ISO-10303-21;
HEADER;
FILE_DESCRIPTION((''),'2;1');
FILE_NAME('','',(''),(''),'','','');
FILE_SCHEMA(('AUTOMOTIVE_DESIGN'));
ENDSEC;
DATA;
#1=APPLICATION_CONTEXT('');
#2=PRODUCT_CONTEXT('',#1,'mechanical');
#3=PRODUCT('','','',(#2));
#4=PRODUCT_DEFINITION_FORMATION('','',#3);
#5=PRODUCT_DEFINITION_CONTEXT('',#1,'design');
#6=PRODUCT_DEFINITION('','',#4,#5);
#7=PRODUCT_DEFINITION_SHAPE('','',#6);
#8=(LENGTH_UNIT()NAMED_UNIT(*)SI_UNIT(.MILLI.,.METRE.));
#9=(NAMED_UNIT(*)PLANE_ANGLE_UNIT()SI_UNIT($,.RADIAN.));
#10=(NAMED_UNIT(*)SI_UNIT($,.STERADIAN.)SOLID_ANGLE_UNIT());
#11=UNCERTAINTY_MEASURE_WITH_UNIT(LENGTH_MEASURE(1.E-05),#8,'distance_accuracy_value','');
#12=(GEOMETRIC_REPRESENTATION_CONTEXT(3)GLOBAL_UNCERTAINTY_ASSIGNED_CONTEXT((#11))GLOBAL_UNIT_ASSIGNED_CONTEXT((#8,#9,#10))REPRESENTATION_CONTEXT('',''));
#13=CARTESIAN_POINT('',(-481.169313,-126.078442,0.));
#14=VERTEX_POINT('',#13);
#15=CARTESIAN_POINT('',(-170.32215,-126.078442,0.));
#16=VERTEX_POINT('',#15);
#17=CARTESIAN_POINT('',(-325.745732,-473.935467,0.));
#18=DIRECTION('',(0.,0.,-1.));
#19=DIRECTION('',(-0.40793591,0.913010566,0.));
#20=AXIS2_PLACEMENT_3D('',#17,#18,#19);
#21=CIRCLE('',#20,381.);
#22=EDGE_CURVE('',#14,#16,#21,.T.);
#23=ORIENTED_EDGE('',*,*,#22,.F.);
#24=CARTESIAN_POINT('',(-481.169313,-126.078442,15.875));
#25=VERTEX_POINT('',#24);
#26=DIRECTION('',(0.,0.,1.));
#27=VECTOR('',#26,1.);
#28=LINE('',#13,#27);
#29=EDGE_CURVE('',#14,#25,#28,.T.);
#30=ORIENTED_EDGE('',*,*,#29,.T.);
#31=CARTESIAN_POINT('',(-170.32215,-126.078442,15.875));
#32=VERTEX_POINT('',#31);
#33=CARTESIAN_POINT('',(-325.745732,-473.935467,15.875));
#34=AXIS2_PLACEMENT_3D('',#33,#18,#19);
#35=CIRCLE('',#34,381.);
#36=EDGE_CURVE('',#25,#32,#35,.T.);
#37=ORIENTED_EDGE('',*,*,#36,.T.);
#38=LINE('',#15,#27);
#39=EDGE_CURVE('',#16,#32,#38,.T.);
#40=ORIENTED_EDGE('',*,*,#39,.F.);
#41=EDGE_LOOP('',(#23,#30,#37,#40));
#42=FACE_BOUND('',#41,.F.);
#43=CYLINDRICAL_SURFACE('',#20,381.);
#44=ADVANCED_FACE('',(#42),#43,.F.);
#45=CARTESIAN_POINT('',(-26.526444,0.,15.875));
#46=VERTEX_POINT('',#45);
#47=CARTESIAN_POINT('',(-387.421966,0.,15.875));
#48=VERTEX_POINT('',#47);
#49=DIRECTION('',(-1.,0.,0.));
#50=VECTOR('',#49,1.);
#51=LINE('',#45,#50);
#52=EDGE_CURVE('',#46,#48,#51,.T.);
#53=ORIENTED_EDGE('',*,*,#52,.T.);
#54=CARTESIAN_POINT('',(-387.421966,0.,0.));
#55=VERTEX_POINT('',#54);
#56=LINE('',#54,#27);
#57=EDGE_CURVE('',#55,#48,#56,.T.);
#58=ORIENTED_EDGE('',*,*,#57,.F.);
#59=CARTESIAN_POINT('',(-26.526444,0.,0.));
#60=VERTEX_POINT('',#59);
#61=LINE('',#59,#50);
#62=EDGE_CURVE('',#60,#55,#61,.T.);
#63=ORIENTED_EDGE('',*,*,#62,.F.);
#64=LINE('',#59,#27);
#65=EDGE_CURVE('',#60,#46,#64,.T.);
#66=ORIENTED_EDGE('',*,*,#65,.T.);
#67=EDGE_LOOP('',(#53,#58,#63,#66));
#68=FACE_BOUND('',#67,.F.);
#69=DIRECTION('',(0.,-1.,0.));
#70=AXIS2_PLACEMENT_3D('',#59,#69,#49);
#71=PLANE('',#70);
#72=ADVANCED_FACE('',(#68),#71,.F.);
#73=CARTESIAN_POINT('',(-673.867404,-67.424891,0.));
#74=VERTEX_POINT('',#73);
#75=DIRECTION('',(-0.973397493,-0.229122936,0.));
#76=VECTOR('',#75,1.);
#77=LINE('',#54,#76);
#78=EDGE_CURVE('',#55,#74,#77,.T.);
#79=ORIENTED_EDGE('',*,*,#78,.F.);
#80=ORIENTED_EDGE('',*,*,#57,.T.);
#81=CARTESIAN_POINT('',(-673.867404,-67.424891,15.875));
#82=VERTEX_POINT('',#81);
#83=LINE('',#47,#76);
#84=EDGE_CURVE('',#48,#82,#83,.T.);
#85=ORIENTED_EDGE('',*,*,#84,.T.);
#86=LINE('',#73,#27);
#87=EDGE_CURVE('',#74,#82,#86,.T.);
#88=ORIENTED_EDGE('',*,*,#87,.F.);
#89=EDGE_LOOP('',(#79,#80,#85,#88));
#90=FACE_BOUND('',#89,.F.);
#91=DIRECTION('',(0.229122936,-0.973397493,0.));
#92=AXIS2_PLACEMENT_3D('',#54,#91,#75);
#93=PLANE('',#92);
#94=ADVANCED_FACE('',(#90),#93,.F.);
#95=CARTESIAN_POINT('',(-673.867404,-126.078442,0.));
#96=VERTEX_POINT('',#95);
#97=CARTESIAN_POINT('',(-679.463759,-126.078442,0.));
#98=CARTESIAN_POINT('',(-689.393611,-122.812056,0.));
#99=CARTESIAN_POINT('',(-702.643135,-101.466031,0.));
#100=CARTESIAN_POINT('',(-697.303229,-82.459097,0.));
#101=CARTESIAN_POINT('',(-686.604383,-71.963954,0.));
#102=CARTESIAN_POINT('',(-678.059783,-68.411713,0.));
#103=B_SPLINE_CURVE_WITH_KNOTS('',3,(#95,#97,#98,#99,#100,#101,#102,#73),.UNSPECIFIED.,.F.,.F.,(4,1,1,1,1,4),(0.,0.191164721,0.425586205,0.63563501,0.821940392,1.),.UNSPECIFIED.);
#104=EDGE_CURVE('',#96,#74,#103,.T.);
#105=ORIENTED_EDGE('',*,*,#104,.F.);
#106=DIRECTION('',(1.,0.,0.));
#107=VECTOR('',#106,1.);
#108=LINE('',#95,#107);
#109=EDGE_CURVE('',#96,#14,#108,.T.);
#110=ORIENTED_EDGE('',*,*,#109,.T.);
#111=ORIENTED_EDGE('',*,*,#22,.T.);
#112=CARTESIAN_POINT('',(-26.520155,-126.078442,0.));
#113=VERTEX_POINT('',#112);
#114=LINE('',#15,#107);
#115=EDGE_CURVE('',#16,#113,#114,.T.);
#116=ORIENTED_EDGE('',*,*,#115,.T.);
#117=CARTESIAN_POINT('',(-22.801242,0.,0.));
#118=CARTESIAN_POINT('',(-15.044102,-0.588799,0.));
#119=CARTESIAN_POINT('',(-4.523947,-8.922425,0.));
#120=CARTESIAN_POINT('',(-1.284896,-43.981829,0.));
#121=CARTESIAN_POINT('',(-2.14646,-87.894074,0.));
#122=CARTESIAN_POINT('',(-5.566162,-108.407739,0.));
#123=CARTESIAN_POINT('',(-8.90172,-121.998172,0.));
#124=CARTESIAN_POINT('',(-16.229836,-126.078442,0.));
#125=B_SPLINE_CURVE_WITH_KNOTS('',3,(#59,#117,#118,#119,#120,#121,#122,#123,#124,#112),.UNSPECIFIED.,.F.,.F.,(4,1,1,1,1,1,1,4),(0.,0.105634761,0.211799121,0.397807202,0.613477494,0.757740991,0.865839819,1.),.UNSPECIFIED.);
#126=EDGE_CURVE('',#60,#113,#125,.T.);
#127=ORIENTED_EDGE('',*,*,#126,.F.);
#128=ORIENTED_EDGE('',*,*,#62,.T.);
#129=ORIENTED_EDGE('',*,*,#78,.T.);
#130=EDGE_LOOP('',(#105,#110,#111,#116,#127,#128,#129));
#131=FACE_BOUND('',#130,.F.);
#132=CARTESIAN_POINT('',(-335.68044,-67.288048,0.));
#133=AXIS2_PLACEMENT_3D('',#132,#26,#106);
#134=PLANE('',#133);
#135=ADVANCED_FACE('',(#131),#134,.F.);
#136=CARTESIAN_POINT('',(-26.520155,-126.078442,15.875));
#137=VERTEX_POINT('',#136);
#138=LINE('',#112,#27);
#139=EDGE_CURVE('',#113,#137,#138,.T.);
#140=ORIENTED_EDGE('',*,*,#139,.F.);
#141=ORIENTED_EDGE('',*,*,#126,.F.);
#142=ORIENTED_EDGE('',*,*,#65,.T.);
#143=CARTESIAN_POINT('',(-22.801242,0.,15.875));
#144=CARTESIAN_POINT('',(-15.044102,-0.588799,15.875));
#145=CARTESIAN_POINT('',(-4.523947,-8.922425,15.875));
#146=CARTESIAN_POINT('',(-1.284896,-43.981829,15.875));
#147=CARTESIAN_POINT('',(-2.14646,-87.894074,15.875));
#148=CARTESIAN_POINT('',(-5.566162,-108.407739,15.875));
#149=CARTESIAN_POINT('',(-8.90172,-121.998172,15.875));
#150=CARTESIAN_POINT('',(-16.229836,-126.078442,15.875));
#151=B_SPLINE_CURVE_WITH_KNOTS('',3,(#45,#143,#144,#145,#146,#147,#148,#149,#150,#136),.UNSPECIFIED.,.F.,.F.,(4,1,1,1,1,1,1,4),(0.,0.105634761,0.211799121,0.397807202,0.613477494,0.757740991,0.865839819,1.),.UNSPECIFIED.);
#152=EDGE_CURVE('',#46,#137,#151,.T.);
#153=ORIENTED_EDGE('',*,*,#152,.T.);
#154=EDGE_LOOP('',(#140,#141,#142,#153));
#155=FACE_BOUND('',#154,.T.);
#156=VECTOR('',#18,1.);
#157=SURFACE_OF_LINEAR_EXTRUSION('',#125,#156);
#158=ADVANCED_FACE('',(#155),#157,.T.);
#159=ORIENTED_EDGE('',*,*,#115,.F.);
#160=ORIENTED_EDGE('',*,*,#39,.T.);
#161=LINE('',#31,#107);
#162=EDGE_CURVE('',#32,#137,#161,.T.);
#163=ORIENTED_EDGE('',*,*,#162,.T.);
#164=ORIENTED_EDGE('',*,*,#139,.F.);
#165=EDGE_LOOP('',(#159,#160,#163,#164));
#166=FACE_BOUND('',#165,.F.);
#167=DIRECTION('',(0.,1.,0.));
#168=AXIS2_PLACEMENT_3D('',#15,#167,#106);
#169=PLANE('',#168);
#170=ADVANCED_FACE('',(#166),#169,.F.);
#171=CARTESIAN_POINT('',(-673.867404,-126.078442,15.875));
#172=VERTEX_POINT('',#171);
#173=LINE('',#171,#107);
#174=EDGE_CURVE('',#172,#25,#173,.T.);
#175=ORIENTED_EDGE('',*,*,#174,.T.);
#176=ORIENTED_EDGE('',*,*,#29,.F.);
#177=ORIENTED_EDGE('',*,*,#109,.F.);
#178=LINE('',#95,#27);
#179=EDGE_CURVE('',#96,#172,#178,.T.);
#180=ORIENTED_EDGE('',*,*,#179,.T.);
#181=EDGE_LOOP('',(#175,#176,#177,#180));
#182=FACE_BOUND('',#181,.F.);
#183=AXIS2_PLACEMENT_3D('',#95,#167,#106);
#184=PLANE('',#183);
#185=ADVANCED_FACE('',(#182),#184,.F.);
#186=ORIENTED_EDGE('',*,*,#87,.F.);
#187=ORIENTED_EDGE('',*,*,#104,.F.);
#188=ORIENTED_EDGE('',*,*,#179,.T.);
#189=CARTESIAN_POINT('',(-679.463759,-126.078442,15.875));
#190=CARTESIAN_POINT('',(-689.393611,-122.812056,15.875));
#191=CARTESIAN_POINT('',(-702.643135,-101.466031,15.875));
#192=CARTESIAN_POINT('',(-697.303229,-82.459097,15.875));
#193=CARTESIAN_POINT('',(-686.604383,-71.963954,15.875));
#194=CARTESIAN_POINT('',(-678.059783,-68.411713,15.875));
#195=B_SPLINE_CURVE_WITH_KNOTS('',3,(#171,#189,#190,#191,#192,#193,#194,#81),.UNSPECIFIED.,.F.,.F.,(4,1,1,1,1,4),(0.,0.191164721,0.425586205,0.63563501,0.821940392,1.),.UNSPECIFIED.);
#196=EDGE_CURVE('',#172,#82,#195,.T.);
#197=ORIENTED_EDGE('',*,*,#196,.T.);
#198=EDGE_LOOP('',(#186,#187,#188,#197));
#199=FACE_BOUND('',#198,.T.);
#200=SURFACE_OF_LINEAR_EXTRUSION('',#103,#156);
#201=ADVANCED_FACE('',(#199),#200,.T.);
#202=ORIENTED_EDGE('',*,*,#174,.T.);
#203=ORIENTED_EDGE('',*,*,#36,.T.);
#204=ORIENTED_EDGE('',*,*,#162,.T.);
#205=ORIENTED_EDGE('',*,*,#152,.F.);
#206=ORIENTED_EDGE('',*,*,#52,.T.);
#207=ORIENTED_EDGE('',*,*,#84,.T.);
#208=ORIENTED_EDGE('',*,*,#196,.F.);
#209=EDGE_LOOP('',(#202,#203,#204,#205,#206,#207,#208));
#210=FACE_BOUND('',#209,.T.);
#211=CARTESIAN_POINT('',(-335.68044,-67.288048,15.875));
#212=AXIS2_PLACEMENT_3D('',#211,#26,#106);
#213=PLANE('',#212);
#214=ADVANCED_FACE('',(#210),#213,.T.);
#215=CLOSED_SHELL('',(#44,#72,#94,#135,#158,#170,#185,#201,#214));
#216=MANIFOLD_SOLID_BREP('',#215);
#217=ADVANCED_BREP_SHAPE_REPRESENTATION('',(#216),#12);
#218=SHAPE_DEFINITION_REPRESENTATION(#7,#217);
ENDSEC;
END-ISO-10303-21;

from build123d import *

# Parameters (mm, degrees)
F1_DEPTH = 15.875


with BuildPart() as f1:
    # F0 (on Top) → F1 (new body)
    with BuildSketch(Plane.XY):
        with BuildLine():
            ThreePointArc((-481.1693131924, -126.0784417391), (-325.7457315922, -92.9354673726), (-170.322149992, -126.0784417391))
            Line((-170.322149992, -126.0784417391), (-26.5201553702, -126.0784417391))
            add(Edge.make_bspline(
                [(-26.5264435702, 0), (-22.8012421009, 0), (-15.0441017893, -0.5887992114), (-4.523946909, -8.9224252488), (-1.2848955026, -43.9818290546), (-2.1464601557, -87.8940737216), (-5.5661619574, -108.40773937), (-8.9017204849, -121.9981720552), (-16.2298362702, -126.0784417391), (-26.5201553702, -126.0784417391)],
                knots=[0, 0, 0, 0, 0.1056347615, 0.2117991211, 0.3978072021, 0.6134774938, 0.757740991, 0.8658398185, 1, 1, 1, 1], degree=3))
            Line((-26.5264435702, 0), (-387.4219655997, 0))
            Line((-387.4219655997, 0), (-673.8674044609, -67.4248912098))
            add(Edge.make_bspline(
                [(-673.8674044609, -126.0784417391), (-679.4637585278, -126.0784417391), (-689.3936109441, -122.8120563291), (-702.6431348794, -101.4660306081), (-697.3032288028, -82.4590973372), (-686.6043829366, -71.9639539657), (-678.059783005, -68.411713232), (-673.8674044609, -67.4248912098)],
                knots=[0, 0, 0, 0, 0.1911647208, 0.4255862046, 0.63563501, 0.8219403923, 1, 1, 1, 1], degree=3))
            Line((-673.8674044609, -126.0784417391), (-481.1693131924, -126.0784417391))
        make_face()
    extrude(amount=F1_DEPTH)


solid = f1.part
